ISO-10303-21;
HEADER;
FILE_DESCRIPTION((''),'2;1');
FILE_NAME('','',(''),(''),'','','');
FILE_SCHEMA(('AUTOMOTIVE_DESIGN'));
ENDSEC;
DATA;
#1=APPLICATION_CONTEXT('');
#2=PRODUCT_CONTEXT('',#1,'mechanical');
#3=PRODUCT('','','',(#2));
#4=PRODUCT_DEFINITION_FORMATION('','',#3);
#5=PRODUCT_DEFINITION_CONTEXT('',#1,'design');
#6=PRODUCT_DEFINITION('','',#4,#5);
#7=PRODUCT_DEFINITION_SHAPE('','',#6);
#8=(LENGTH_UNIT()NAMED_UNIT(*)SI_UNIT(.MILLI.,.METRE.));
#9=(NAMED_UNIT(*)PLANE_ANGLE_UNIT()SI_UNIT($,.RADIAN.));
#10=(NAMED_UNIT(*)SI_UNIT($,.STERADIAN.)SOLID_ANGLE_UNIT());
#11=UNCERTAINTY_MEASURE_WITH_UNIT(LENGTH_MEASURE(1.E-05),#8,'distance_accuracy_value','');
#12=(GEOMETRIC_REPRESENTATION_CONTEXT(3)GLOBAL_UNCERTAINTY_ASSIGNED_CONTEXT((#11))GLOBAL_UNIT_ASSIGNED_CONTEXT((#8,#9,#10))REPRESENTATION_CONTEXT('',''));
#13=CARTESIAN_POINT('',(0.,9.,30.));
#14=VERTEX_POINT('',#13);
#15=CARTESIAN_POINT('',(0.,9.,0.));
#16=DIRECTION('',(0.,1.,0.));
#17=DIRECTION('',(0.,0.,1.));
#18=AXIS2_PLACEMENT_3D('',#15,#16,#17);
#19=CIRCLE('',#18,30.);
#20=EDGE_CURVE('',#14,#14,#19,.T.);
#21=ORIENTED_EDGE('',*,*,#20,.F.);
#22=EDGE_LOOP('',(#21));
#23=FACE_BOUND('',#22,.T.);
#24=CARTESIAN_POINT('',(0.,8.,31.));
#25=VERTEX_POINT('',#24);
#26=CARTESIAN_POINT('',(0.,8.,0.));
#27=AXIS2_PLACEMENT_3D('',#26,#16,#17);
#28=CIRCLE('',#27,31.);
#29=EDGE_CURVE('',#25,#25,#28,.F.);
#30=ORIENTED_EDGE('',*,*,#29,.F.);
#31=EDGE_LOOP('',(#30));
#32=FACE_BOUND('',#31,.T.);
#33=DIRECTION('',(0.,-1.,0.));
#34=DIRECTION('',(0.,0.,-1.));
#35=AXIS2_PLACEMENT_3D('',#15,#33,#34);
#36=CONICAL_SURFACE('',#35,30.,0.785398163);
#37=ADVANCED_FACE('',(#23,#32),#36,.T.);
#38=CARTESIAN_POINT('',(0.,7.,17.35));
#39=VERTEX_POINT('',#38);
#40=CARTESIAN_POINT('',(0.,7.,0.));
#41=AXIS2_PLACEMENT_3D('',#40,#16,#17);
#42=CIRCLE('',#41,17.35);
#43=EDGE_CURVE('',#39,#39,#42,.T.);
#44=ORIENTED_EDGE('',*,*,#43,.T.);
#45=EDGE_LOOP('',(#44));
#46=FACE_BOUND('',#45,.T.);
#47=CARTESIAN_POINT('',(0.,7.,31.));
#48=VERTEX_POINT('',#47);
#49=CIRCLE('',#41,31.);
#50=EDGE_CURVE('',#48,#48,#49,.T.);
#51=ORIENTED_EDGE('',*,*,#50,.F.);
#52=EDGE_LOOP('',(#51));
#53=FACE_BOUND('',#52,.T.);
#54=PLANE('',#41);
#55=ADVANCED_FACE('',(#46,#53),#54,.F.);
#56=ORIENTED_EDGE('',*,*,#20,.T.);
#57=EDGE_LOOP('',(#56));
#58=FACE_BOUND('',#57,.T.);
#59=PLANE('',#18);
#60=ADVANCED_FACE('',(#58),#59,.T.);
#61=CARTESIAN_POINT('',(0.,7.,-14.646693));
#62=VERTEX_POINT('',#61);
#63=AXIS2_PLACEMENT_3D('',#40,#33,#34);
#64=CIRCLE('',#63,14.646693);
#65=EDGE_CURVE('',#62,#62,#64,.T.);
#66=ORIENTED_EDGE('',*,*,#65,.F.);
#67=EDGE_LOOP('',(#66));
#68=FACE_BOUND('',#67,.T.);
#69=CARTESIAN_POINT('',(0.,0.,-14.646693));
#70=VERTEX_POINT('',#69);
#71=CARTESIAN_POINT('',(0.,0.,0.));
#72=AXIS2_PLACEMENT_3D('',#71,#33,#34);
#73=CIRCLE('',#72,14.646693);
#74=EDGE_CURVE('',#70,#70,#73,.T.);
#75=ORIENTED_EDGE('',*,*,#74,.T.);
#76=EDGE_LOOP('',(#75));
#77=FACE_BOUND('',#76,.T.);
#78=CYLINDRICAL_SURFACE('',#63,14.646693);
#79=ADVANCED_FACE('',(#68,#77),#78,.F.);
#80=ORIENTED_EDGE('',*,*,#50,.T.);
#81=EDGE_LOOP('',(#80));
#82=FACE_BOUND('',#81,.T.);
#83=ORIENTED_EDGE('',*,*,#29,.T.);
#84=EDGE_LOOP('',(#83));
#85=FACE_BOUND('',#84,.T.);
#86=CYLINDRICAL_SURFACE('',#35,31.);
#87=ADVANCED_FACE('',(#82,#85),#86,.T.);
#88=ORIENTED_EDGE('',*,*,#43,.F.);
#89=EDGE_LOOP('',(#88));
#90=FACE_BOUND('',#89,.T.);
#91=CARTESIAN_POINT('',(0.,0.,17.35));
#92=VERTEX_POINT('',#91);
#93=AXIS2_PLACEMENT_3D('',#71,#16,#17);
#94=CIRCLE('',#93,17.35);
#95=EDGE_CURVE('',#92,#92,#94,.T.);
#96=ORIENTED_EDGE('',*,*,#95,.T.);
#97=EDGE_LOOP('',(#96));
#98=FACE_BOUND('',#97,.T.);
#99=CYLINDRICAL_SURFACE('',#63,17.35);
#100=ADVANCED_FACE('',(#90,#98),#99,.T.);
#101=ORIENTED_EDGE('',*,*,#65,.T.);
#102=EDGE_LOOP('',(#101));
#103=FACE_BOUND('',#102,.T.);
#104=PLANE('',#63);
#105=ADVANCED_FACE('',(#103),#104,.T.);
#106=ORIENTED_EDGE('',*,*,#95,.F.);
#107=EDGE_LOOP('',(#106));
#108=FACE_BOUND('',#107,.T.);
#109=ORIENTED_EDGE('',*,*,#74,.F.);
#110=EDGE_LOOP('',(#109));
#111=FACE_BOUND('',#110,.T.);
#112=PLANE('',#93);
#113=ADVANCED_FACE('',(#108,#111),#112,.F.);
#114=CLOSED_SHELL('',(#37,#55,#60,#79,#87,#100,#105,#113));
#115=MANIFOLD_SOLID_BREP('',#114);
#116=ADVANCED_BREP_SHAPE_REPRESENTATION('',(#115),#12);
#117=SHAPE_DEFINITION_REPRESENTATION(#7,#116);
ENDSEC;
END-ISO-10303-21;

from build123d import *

# Parameters (mm, degrees)
SKETCH1_R           = 17.35
BOSS_EXTRUDE1_DEPTH = 7
SKETCH2_R           = 31
BOSS_EXTRUDE2_DEPTH = 2
SKETCH3_R           = 14.646692659
CUT_EXTRUDE1_DEPTH  = 7
CHAMFER1_SIZE       = 1


with BuildPart() as part:
    # Sketch1 → Boss-Extrude1 (new body)
    with BuildSketch(Plane(origin=(0, 0, 0), x_dir=(1, 0, 0), z_dir=(0, 1, 0))):
        Circle(SKETCH1_R)
    extrude(amount=BOSS_EXTRUDE1_DEPTH)

    # Sketch2 → Boss-Extrude2 (add)
    with BuildSketch(Plane(origin=(0, 7, 0), x_dir=(1, 0, 0), z_dir=(0, 1, 0))):
        Circle(SKETCH2_R)
    extrude(amount=BOSS_EXTRUDE2_DEPTH)

    # Sketch3 → Cut-Extrude1 (cut)
    with BuildSketch(Plane.XZ):
        Circle(SKETCH3_R)
    extrude(amount=-CUT_EXTRUDE1_DEPTH, mode=Mode.SUBTRACT)

    # Chamfer1
    chamfer1_edges = [part.edges().sort_by_distance(p)[0] for p in [
        (-31, 9, 0),
    ]]
    chamfer(chamfer1_edges, length=CHAMFER1_SIZE)


solid = part.part
